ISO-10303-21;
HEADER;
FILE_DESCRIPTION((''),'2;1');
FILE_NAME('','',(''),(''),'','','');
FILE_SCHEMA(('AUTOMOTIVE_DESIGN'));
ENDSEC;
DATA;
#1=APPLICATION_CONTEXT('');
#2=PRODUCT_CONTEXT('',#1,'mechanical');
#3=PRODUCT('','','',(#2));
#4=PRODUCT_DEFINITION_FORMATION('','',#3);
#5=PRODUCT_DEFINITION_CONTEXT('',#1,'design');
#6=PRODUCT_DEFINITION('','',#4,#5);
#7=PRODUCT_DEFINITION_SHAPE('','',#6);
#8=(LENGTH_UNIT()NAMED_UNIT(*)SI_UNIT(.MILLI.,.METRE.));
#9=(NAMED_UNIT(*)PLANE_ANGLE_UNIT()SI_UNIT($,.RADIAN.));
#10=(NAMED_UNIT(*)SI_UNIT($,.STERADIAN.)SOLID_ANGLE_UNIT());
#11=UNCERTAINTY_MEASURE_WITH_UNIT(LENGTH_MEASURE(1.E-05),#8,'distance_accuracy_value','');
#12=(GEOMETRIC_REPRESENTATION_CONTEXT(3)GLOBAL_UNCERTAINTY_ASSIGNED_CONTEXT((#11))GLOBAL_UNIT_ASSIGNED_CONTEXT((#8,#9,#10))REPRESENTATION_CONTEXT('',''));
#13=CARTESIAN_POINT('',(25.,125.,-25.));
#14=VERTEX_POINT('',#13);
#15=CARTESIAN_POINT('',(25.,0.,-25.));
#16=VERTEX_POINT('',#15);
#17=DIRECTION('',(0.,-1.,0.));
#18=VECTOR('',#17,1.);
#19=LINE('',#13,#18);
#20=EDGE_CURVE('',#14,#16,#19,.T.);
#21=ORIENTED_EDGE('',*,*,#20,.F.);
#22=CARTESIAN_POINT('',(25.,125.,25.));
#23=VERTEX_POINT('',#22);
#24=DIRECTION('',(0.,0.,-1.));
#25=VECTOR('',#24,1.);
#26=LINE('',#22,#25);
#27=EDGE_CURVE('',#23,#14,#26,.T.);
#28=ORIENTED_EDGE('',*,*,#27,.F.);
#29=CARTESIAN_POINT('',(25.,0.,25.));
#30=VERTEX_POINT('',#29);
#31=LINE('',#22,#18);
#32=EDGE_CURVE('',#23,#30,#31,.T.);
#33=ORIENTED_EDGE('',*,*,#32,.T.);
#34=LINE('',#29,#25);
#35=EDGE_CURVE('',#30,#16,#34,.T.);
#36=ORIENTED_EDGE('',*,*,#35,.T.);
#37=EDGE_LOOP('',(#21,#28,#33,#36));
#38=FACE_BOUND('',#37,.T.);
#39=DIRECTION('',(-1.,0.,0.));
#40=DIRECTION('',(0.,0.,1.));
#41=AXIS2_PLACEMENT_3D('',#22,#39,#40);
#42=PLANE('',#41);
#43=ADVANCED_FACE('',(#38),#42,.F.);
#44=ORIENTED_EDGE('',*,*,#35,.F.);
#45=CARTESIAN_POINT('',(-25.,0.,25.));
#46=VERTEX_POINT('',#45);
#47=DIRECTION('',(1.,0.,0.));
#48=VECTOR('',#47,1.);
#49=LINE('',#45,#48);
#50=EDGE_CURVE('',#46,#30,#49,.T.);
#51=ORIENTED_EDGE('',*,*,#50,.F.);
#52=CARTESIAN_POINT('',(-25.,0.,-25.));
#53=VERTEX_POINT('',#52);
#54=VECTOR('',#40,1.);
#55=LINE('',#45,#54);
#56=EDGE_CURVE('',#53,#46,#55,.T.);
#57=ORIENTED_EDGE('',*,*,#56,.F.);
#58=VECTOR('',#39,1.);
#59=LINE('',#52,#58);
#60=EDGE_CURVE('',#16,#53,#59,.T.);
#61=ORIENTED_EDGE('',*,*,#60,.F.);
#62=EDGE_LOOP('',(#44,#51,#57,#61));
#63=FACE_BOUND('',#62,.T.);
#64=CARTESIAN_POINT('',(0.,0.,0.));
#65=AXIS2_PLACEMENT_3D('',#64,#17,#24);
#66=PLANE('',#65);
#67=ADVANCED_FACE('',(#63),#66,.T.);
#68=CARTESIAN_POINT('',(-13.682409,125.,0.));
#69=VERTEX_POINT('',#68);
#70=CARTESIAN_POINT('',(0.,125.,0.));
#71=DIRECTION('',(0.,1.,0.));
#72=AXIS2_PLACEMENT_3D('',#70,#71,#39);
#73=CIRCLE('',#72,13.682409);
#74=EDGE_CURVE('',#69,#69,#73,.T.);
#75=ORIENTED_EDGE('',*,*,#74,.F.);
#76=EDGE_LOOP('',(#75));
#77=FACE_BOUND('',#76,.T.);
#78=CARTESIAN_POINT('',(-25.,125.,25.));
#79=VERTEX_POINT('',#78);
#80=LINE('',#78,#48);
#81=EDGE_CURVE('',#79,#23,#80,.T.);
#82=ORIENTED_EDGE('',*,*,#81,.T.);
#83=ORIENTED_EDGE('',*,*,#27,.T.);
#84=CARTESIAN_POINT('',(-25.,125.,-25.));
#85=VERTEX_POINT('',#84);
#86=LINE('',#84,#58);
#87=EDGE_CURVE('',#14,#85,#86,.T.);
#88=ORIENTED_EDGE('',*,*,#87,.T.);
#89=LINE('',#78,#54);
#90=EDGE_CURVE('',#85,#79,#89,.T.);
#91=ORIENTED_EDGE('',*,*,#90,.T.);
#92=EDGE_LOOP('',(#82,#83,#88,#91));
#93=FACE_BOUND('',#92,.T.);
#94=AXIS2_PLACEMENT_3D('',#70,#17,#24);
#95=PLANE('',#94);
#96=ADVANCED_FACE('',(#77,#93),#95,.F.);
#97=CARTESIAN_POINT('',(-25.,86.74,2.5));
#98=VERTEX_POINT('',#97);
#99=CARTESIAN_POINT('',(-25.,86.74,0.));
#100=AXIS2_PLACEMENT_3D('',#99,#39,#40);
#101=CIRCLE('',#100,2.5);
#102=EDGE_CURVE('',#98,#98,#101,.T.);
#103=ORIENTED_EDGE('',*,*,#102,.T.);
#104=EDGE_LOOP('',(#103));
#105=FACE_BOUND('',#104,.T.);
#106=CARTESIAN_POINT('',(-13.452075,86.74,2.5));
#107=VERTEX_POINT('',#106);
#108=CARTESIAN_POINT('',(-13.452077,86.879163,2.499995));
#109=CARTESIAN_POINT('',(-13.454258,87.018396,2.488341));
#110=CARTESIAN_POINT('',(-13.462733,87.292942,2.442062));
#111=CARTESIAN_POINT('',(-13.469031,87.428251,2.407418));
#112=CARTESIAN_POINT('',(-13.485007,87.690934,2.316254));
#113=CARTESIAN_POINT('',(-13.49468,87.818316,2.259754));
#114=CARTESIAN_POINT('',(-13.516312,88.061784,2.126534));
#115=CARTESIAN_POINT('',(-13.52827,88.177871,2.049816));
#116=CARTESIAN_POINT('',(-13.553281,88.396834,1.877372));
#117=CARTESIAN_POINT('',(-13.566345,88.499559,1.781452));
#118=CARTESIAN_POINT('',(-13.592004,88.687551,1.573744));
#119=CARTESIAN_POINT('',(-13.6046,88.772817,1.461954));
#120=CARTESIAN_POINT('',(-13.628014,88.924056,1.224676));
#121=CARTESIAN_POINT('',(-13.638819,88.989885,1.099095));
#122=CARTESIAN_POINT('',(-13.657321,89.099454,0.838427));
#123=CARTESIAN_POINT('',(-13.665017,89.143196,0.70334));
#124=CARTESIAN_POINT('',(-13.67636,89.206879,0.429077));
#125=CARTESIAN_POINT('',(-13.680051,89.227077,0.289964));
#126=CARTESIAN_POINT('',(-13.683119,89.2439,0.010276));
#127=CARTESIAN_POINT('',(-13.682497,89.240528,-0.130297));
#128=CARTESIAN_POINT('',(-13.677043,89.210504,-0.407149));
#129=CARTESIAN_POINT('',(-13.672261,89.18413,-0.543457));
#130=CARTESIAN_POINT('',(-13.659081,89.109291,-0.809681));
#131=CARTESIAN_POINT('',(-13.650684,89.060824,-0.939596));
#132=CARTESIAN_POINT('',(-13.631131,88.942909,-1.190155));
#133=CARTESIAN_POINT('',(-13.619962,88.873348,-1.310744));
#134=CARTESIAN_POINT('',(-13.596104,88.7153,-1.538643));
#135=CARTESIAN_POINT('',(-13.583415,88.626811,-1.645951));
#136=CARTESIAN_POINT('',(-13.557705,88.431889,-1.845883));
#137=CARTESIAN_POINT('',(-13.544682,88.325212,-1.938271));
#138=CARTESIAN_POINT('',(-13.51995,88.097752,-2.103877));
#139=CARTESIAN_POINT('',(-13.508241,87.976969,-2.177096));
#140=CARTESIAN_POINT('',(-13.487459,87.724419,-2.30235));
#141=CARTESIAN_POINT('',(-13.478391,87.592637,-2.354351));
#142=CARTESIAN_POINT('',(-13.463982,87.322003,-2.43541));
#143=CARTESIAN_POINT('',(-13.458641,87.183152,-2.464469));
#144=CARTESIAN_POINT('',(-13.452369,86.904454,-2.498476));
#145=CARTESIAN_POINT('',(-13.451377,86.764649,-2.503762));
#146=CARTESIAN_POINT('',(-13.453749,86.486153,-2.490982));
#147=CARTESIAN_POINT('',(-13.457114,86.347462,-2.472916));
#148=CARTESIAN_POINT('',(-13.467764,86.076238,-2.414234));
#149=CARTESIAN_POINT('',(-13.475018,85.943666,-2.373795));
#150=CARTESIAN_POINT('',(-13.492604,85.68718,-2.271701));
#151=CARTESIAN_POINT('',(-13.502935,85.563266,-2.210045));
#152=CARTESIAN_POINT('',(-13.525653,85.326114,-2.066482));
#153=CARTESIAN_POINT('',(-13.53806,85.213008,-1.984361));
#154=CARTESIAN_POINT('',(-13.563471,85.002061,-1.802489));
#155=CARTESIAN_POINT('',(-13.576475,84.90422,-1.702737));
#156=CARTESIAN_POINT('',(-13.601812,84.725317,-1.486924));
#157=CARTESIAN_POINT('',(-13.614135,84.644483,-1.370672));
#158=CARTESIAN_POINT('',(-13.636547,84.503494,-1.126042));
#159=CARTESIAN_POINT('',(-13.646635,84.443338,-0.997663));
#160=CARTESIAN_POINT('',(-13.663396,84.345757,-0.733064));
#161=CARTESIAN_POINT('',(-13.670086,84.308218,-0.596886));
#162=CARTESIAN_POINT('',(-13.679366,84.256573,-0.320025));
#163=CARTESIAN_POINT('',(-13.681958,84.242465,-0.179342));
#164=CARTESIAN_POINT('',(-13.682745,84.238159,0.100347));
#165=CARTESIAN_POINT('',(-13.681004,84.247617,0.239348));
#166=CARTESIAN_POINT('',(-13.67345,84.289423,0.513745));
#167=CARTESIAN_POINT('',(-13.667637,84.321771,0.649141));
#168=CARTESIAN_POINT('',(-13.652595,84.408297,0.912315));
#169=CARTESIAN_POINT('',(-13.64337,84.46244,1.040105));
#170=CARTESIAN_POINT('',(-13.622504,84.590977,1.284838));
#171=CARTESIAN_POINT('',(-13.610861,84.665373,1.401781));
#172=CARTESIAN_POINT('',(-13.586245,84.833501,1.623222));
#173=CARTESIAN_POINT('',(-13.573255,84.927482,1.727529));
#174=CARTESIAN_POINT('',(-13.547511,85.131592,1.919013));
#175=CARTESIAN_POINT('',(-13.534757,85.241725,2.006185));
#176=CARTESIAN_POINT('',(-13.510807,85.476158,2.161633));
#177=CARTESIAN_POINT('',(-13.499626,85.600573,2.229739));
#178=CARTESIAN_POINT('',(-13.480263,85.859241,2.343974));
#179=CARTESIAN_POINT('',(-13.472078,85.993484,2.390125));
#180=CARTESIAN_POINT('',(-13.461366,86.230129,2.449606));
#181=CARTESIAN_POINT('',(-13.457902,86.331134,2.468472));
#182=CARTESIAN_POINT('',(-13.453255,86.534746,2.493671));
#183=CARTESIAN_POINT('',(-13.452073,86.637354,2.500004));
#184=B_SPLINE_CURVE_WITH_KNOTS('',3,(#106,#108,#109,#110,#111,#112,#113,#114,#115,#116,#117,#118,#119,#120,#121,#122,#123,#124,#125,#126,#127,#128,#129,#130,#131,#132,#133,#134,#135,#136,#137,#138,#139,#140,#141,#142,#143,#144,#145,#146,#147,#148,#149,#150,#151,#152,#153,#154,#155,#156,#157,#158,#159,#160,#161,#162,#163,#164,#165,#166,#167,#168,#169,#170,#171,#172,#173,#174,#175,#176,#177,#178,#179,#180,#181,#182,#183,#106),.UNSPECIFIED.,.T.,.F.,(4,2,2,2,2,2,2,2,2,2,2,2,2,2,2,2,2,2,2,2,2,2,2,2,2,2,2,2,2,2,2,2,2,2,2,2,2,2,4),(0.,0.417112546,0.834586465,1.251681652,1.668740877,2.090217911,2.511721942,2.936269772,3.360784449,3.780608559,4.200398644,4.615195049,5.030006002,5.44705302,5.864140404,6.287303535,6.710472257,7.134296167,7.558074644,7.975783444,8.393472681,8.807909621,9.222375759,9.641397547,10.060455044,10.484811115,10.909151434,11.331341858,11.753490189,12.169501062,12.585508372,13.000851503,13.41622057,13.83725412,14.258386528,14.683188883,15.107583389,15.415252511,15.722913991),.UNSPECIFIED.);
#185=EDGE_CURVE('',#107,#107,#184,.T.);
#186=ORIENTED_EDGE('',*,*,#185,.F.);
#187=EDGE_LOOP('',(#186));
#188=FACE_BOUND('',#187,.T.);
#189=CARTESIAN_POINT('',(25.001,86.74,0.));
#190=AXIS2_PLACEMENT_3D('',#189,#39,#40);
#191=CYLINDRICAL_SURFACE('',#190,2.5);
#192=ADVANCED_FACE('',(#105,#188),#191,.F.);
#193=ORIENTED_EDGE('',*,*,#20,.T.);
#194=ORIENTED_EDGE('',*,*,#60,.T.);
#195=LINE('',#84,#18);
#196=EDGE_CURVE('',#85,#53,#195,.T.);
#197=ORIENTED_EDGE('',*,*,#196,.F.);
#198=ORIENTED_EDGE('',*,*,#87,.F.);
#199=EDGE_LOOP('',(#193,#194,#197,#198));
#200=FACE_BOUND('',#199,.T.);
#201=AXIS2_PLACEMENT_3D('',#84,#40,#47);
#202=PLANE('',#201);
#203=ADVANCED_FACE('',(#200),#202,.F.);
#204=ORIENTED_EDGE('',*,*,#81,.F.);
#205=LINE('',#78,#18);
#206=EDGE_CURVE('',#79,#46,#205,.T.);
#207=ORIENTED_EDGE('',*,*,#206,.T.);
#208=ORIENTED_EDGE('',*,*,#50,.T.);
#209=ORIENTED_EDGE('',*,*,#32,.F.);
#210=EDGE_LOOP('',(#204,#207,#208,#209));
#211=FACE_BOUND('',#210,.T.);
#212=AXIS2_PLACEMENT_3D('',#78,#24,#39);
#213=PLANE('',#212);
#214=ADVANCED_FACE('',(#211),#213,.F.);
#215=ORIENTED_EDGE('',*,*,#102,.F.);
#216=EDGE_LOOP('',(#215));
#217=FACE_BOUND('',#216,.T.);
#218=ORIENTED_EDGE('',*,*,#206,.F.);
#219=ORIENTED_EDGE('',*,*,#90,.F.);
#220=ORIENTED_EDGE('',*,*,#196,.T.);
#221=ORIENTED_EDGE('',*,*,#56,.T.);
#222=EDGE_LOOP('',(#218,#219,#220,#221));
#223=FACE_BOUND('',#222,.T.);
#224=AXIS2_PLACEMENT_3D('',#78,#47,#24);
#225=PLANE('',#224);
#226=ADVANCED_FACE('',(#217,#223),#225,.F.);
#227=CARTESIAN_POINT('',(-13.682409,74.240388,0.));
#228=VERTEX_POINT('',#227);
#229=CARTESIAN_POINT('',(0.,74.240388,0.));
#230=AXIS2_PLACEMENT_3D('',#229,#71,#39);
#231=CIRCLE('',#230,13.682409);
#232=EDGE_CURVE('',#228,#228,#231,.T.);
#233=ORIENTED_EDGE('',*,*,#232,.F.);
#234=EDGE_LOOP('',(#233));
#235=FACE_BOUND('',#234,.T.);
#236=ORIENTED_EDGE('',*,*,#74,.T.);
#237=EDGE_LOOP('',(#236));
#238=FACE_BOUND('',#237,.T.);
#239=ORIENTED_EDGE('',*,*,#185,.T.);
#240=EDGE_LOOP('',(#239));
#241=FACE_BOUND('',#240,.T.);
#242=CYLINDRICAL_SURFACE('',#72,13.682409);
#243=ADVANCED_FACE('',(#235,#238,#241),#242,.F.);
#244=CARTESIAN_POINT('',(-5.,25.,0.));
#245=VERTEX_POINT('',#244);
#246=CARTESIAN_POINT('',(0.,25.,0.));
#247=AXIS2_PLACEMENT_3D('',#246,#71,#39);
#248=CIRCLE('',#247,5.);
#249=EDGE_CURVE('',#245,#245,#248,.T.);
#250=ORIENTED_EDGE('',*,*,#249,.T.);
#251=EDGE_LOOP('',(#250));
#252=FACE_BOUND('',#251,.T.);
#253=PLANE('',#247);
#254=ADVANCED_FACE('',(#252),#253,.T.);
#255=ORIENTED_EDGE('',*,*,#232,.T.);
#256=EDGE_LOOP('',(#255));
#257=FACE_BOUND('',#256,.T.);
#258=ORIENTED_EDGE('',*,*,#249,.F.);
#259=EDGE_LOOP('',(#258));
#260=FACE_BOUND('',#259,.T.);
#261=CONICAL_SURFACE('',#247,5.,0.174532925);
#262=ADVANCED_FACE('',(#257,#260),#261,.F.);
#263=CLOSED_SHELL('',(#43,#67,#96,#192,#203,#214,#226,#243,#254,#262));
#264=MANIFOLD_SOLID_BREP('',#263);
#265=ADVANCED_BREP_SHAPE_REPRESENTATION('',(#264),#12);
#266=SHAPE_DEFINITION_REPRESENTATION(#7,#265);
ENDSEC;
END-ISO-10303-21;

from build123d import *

# Parameters (mm, degrees)
SKETCH_1_W               = 50
SKETCH_1_H               = 50
EXTRUDE_1_DEPTH          = 125
CUT_EXTRUDE_1_REACH      = 138.931
CUT_EXTRUDE_1_END_RADIUS = 13.682408883
SKETCH_4_R               = 2.5


with BuildPart() as part:
    # 草图1 → 凸台-拉伸1 (new body)
    with BuildSketch(Plane(origin=(0, 0, 0), x_dir=(1, 0, 0), z_dir=(0, 1, 0))):
        Rectangle(SKETCH_1_W, SKETCH_1_H)
    extrude(amount=EXTRUDE_1_DEPTH)

    # 草图3 → 切除-旋转1 (revolve, cut)
    with BuildSketch(Plane.XY, mode=Mode.PRIVATE) as cut_revolve_1_sk:
        Polygon((0, 125), (0, 25), (5, 25), (13.682408883, 74.240387651), (13.682408883, 125), align=None)
    revolve(cut_revolve_1_sk.sketch.rotate(Axis((0, 125, 0), (0, -1, 0)), 180), axis=Axis((0, 125, 0), (0, -1, 0)), mode=Mode.SUBTRACT)

    # 切除-拉伸1: up to this cylinder (the profile starts outside it)
    cut_extrude_1_end = Plane(origin=(0, 86.74, 0), z_dir=(0, 1, 0)) * Cylinder(CUT_EXTRUDE_1_END_RADIUS, 306.226817767, mode=Mode.PRIVATE)
    # 草图4 → 切除-拉伸1 (cut, up to the surface)
    with BuildSketch(Plane.ZY.offset(25), mode=Mode.PRIVATE) as cut_extrude_1_sk1:
        with Locations((0, 86.74)):
            Circle(SKETCH_4_R)
    cut_extrude_1_tool1 = extrude(cut_extrude_1_sk1.sketch, amount=-CUT_EXTRUDE_1_REACH, mode=Mode.PRIVATE) - cut_extrude_1_end
    add(cut_extrude_1_tool1.solids().sort_by_distance((-25, 86.74, 0))[0], mode=Mode.SUBTRACT)


solid = part.part
